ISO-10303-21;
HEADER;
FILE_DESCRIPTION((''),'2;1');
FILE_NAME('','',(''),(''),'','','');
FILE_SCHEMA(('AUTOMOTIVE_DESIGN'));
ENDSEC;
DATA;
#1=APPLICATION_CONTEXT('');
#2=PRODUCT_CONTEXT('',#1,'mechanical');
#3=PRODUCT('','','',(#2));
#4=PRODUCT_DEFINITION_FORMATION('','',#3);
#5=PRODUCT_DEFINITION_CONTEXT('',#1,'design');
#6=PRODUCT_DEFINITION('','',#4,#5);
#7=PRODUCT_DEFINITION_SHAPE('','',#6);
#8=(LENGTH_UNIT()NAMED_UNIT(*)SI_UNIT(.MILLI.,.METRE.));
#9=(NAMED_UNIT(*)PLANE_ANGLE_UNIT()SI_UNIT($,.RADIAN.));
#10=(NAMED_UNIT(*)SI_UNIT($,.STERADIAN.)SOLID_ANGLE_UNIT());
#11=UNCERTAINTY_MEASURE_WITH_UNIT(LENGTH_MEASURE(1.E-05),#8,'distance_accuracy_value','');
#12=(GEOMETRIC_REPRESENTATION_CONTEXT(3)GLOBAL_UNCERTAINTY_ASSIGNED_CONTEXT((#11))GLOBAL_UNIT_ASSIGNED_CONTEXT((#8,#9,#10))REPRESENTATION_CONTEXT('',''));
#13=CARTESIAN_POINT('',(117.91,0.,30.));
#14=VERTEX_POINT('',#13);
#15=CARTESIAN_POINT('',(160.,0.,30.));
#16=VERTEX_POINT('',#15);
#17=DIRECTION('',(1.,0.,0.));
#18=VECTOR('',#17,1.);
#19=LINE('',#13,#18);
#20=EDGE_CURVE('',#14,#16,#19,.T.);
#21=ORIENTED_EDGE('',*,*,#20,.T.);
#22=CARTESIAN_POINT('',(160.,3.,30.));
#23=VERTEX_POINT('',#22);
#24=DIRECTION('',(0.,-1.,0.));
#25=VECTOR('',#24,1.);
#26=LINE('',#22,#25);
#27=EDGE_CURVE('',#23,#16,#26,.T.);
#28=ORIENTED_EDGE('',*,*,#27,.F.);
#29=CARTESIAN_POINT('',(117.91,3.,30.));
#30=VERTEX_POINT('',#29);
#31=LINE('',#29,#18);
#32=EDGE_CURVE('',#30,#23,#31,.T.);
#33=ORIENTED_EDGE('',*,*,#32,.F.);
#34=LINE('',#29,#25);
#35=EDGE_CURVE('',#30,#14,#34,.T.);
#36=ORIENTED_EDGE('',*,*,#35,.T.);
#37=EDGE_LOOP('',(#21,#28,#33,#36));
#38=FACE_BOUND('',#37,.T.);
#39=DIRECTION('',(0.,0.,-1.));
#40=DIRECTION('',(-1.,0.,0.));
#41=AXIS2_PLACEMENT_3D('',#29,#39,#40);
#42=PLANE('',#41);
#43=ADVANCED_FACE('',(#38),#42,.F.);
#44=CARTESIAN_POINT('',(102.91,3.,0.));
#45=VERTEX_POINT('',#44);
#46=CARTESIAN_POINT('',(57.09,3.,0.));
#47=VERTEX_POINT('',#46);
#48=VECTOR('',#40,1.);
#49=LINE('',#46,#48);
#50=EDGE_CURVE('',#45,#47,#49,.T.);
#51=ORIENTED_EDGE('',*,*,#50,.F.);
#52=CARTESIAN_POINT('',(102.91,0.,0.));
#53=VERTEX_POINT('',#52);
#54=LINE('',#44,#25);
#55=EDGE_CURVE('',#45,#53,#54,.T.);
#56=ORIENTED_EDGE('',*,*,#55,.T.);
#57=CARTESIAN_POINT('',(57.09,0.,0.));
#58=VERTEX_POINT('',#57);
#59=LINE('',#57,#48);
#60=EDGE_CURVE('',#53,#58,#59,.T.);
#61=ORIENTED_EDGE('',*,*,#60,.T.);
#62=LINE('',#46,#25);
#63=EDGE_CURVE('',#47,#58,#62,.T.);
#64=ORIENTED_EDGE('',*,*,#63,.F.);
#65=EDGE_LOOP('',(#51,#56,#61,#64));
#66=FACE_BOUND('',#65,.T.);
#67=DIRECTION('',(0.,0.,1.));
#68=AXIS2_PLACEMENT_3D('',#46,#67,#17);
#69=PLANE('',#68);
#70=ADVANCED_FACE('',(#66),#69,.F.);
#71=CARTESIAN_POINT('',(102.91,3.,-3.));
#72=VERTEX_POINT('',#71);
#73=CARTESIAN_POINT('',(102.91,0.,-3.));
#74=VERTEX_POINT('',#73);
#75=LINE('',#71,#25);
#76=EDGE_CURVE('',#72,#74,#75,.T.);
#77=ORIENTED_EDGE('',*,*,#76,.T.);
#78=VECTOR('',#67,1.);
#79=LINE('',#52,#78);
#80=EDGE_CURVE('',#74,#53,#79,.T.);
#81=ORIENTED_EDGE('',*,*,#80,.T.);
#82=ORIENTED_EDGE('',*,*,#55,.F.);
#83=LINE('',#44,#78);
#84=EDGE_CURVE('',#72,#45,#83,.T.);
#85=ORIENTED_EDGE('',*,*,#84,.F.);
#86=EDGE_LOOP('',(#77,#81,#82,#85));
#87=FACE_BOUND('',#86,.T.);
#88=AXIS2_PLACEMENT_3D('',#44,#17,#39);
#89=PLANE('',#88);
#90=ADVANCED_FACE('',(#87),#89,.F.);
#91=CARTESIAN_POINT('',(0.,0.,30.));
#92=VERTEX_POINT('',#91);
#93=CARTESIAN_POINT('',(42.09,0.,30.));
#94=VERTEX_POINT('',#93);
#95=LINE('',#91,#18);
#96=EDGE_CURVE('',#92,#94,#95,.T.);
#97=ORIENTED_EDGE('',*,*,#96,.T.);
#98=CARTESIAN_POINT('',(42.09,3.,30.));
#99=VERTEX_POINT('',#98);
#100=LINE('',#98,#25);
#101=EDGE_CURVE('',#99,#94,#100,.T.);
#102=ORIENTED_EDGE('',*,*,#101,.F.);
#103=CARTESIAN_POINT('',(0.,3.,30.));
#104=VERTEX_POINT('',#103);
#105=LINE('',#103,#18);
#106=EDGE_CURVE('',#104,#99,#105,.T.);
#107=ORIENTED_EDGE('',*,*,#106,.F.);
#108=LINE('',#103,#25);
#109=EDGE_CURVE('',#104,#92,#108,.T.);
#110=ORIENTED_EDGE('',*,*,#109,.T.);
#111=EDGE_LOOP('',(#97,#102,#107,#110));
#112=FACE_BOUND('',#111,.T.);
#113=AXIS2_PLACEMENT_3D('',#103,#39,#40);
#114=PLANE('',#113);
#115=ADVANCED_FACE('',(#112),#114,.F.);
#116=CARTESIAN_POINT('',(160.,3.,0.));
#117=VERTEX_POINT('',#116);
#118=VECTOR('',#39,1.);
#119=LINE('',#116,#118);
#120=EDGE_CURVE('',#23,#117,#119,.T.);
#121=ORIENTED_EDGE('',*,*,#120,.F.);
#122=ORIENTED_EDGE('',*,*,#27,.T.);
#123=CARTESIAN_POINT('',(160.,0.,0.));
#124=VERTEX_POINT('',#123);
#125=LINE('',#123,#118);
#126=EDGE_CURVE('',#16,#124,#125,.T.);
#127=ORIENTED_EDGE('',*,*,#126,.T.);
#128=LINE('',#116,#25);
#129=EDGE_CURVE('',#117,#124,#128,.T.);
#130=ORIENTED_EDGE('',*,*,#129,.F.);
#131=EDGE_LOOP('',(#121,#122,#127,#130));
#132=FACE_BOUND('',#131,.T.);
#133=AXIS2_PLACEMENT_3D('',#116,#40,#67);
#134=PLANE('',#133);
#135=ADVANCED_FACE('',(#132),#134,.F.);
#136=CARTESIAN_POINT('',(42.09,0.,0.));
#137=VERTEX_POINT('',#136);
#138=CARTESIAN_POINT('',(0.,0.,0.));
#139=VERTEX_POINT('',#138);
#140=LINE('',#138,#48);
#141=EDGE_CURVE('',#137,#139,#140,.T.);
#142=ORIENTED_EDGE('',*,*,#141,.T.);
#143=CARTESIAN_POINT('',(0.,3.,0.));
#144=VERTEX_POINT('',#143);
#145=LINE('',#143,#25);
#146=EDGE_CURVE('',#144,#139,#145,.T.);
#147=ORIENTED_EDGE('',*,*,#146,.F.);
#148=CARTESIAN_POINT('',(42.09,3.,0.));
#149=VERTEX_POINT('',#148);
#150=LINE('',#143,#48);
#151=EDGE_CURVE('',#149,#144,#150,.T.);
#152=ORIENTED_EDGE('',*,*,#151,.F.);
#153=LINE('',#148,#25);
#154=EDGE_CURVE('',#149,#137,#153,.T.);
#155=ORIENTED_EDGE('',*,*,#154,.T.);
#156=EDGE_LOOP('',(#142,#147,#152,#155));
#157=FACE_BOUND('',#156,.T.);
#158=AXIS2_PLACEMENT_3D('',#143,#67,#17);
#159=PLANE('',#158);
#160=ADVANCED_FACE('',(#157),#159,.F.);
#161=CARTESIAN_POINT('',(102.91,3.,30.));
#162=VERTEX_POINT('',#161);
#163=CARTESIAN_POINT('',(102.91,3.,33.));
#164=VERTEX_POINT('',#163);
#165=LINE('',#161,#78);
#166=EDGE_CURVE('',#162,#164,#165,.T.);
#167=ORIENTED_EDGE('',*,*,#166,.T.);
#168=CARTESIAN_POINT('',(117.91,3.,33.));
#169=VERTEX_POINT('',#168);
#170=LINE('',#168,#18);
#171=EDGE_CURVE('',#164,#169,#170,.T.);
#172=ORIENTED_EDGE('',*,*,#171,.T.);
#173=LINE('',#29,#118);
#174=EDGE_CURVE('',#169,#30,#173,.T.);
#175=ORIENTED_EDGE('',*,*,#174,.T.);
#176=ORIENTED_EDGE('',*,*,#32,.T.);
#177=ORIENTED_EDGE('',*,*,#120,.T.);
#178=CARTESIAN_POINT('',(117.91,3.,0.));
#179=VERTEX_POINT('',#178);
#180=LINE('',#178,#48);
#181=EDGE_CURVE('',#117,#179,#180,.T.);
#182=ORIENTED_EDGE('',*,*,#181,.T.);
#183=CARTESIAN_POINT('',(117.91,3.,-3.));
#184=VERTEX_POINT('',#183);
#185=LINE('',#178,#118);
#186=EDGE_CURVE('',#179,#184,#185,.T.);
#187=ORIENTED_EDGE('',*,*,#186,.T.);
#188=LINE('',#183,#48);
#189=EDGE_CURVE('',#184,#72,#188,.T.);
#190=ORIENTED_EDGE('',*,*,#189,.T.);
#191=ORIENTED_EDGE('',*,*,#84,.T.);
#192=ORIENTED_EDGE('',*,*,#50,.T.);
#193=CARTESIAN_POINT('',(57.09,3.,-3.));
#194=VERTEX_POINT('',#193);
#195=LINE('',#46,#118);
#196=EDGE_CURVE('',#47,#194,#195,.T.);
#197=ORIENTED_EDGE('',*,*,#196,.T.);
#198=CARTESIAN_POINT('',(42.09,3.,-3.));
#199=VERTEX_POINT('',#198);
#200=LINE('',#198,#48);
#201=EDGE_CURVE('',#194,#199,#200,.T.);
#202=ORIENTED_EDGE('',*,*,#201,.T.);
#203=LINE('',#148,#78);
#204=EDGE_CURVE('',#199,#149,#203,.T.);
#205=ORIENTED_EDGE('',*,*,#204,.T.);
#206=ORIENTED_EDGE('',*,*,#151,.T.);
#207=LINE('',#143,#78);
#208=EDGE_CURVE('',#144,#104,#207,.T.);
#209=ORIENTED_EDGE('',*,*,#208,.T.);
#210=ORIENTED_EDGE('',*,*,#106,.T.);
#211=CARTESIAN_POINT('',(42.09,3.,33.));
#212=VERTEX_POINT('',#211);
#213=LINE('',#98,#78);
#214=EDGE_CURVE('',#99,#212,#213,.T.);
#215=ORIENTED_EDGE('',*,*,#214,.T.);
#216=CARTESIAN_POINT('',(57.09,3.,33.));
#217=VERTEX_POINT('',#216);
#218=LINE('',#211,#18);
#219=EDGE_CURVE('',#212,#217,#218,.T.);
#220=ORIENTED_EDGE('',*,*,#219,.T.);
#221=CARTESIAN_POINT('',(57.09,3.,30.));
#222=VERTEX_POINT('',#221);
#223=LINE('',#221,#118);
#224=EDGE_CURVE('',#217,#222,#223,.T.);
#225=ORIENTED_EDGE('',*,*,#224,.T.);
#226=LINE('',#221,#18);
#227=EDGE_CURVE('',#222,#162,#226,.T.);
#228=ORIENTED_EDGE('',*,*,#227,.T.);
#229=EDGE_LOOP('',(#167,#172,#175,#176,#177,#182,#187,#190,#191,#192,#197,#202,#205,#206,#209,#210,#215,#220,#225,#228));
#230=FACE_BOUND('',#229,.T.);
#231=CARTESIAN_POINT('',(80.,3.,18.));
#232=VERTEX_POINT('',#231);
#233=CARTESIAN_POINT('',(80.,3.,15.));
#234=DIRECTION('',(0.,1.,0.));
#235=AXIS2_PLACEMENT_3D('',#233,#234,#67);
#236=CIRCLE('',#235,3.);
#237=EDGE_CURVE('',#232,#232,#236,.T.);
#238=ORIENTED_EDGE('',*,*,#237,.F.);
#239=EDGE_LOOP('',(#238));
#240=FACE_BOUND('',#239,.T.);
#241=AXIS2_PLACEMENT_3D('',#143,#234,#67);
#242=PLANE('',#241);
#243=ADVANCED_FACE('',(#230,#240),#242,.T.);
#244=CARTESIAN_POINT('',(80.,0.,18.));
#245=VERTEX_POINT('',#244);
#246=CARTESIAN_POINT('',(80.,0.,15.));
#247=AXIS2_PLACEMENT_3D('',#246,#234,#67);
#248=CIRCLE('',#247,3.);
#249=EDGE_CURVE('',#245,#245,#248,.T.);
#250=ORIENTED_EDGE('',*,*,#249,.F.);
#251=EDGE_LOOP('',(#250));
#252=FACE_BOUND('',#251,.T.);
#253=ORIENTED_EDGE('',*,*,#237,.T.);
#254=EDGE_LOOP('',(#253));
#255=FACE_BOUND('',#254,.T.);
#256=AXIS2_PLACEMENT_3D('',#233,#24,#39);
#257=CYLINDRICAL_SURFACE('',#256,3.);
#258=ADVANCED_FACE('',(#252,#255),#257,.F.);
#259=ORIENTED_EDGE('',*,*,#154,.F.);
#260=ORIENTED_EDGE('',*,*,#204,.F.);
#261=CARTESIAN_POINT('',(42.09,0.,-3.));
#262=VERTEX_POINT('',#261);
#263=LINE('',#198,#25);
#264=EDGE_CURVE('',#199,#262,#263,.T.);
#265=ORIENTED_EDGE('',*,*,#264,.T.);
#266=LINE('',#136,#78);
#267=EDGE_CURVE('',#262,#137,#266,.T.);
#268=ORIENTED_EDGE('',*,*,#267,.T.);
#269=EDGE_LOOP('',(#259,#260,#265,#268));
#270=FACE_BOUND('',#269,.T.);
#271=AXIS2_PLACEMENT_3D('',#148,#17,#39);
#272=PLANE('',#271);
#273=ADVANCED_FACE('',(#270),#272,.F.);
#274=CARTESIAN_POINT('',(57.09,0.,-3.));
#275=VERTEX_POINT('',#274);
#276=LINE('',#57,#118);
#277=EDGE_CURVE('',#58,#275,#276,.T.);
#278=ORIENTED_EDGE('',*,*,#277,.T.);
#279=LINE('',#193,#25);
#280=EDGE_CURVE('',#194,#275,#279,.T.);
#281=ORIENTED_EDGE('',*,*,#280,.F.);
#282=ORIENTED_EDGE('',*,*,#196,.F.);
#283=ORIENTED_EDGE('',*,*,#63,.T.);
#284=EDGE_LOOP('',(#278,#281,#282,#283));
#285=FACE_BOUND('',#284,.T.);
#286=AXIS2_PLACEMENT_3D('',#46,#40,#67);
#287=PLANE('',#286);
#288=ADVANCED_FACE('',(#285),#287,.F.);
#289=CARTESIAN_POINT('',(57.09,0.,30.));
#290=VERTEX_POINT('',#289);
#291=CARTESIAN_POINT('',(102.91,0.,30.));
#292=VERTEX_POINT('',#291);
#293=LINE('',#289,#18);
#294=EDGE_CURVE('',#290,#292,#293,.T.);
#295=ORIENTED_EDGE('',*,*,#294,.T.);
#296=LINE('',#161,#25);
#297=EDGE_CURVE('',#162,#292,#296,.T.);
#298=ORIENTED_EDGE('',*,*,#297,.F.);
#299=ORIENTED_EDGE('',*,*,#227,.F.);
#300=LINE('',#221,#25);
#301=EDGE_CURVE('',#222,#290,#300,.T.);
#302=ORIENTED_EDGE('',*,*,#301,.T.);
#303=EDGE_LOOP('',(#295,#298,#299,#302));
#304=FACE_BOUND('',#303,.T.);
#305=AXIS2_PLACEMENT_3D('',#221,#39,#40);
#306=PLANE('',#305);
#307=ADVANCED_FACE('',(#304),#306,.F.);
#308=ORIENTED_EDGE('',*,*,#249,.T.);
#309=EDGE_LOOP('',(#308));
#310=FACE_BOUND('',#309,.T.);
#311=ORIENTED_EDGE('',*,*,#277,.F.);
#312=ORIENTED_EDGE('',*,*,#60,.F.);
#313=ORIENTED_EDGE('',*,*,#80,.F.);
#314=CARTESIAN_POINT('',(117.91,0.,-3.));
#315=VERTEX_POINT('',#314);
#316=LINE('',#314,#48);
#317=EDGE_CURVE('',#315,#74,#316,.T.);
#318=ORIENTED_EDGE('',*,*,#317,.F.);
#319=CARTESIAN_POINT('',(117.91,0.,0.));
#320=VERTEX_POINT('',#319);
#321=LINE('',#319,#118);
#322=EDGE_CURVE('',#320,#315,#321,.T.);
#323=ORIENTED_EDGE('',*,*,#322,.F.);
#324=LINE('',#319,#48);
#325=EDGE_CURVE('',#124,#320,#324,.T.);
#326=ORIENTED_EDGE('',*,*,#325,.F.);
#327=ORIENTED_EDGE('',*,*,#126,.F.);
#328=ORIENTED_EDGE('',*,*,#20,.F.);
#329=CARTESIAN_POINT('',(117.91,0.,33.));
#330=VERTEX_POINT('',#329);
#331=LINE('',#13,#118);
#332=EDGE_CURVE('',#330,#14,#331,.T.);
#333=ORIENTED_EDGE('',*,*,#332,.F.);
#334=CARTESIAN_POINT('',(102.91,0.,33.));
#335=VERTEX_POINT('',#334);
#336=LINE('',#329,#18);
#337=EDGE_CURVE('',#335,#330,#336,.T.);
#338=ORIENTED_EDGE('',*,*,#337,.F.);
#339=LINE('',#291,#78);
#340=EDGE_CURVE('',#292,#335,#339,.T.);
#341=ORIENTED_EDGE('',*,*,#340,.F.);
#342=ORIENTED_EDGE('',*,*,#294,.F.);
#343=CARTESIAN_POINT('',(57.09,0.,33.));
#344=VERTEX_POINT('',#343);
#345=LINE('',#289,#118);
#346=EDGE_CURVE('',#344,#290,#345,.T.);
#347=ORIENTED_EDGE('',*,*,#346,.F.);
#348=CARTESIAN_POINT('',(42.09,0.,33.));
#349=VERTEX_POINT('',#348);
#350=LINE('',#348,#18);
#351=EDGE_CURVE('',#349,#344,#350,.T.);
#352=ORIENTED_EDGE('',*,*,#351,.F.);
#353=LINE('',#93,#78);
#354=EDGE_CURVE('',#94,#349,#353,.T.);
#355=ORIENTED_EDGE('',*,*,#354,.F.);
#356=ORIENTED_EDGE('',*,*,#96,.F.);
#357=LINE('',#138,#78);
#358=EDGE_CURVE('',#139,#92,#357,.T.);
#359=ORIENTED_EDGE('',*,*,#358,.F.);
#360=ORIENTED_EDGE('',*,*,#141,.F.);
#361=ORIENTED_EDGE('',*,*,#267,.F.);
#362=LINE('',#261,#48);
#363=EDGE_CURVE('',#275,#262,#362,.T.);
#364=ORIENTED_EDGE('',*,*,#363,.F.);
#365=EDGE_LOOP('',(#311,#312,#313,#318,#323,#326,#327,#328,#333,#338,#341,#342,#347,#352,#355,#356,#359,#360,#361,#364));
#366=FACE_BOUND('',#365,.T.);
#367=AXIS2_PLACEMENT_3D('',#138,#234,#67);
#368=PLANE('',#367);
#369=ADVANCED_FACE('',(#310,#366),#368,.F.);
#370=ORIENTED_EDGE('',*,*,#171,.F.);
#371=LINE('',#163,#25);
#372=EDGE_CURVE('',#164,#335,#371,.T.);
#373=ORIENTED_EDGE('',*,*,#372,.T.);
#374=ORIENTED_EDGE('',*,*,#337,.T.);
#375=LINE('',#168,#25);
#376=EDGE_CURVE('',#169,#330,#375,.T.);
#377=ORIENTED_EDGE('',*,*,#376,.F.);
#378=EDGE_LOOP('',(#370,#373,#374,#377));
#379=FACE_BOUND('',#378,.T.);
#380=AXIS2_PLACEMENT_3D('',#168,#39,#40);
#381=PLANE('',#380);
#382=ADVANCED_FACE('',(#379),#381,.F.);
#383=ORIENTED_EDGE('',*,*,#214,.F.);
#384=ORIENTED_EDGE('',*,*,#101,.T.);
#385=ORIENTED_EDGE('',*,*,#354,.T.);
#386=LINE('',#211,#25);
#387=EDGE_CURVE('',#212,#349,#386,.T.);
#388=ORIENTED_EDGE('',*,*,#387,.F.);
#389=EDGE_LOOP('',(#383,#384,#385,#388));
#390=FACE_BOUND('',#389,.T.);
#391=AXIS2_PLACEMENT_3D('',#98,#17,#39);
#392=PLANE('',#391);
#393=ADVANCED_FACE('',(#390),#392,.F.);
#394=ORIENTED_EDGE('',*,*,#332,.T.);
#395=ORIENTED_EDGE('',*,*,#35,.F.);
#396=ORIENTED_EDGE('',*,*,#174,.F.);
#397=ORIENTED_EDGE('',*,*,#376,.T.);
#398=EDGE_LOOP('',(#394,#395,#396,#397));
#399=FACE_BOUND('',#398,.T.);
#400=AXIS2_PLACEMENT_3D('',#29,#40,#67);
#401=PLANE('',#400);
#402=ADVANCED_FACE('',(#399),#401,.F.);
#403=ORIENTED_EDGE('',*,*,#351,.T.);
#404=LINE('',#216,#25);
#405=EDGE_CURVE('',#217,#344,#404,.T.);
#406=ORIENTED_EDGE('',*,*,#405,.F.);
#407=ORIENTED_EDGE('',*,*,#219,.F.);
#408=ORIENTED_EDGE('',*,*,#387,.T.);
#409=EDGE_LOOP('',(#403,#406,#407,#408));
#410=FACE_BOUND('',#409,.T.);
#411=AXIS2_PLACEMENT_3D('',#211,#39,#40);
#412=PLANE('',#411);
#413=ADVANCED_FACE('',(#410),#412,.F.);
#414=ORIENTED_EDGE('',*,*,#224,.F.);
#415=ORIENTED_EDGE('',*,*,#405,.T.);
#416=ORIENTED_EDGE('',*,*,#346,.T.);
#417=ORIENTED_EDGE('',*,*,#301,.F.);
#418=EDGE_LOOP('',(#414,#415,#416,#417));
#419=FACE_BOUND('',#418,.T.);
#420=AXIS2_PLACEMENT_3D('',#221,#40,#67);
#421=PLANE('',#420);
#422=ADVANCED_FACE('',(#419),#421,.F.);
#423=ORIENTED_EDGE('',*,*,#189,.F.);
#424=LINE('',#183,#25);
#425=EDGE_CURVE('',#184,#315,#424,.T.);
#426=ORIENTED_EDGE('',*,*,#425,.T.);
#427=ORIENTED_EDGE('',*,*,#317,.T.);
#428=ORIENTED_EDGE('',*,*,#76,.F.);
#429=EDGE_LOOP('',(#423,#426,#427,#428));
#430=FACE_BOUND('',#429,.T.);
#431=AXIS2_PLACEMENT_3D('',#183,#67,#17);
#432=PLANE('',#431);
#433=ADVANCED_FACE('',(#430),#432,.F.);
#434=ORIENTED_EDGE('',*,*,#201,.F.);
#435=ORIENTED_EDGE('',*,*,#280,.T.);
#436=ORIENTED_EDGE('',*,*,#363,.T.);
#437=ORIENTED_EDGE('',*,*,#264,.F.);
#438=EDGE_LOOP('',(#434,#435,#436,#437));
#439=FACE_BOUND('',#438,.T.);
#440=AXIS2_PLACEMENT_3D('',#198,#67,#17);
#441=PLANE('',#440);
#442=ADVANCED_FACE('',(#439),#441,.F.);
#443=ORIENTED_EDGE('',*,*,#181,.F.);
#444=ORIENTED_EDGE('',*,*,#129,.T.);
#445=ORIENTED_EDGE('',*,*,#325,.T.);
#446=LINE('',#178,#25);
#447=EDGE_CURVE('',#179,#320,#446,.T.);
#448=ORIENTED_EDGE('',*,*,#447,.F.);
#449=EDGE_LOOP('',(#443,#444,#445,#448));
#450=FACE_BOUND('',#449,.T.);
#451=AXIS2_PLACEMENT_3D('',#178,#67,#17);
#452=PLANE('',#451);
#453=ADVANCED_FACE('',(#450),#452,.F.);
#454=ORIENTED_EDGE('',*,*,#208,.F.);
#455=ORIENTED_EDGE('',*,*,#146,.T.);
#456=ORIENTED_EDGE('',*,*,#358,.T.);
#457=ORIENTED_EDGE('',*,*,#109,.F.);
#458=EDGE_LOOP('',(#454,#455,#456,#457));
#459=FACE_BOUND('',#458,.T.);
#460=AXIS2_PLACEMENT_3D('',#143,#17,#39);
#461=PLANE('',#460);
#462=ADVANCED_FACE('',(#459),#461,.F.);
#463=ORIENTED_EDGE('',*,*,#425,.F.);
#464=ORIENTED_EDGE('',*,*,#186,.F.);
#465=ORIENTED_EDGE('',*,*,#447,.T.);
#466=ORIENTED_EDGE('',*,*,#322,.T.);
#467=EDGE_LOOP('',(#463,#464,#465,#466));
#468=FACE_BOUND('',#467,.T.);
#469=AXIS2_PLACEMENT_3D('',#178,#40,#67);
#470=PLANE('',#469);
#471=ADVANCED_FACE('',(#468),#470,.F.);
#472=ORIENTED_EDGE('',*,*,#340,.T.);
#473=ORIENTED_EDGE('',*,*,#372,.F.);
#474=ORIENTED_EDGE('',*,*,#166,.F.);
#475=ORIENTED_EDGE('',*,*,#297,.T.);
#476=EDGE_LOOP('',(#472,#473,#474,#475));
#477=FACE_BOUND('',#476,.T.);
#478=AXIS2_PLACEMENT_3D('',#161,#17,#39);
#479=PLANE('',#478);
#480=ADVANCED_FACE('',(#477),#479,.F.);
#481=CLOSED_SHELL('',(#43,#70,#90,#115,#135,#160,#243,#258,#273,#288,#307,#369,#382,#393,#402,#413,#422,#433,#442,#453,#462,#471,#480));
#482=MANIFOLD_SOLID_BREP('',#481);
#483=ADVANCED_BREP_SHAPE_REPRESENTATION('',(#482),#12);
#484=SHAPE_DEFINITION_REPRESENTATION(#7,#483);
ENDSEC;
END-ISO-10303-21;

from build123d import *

# Parameters (mm, degrees)
SKETCH2_R           = 3
BOSS_EXTRUDE1_DEPTH = 3


with BuildPart() as part:
    # Sketch2 → Boss-Extrude1 (new body)
    with BuildSketch(Plane(origin=(0, 0, 0), x_dir=(1, 0, 0), z_dir=(0, 1, 0))):
        Polygon((0, 0), (42.09, 0), (42.09, 3), (57.09, 3), (57.09, 0), (102.91, 0), (102.91, 3), (117.91, 3), (117.91, 0), (160, 0), (160, -30), (117.91, -30), (117.91, -33), (102.91, -33), (102.91, -30), (57.09, -30), (57.09, -33), (42.09, -33), (42.09, -30), (0, -30), align=None)
        with Locations(Location((80, -15, 0), (0, 0, 270))):
            Circle(SKETCH2_R, mode=Mode.SUBTRACT)
    extrude(amount=BOSS_EXTRUDE1_DEPTH)


solid = part.part
